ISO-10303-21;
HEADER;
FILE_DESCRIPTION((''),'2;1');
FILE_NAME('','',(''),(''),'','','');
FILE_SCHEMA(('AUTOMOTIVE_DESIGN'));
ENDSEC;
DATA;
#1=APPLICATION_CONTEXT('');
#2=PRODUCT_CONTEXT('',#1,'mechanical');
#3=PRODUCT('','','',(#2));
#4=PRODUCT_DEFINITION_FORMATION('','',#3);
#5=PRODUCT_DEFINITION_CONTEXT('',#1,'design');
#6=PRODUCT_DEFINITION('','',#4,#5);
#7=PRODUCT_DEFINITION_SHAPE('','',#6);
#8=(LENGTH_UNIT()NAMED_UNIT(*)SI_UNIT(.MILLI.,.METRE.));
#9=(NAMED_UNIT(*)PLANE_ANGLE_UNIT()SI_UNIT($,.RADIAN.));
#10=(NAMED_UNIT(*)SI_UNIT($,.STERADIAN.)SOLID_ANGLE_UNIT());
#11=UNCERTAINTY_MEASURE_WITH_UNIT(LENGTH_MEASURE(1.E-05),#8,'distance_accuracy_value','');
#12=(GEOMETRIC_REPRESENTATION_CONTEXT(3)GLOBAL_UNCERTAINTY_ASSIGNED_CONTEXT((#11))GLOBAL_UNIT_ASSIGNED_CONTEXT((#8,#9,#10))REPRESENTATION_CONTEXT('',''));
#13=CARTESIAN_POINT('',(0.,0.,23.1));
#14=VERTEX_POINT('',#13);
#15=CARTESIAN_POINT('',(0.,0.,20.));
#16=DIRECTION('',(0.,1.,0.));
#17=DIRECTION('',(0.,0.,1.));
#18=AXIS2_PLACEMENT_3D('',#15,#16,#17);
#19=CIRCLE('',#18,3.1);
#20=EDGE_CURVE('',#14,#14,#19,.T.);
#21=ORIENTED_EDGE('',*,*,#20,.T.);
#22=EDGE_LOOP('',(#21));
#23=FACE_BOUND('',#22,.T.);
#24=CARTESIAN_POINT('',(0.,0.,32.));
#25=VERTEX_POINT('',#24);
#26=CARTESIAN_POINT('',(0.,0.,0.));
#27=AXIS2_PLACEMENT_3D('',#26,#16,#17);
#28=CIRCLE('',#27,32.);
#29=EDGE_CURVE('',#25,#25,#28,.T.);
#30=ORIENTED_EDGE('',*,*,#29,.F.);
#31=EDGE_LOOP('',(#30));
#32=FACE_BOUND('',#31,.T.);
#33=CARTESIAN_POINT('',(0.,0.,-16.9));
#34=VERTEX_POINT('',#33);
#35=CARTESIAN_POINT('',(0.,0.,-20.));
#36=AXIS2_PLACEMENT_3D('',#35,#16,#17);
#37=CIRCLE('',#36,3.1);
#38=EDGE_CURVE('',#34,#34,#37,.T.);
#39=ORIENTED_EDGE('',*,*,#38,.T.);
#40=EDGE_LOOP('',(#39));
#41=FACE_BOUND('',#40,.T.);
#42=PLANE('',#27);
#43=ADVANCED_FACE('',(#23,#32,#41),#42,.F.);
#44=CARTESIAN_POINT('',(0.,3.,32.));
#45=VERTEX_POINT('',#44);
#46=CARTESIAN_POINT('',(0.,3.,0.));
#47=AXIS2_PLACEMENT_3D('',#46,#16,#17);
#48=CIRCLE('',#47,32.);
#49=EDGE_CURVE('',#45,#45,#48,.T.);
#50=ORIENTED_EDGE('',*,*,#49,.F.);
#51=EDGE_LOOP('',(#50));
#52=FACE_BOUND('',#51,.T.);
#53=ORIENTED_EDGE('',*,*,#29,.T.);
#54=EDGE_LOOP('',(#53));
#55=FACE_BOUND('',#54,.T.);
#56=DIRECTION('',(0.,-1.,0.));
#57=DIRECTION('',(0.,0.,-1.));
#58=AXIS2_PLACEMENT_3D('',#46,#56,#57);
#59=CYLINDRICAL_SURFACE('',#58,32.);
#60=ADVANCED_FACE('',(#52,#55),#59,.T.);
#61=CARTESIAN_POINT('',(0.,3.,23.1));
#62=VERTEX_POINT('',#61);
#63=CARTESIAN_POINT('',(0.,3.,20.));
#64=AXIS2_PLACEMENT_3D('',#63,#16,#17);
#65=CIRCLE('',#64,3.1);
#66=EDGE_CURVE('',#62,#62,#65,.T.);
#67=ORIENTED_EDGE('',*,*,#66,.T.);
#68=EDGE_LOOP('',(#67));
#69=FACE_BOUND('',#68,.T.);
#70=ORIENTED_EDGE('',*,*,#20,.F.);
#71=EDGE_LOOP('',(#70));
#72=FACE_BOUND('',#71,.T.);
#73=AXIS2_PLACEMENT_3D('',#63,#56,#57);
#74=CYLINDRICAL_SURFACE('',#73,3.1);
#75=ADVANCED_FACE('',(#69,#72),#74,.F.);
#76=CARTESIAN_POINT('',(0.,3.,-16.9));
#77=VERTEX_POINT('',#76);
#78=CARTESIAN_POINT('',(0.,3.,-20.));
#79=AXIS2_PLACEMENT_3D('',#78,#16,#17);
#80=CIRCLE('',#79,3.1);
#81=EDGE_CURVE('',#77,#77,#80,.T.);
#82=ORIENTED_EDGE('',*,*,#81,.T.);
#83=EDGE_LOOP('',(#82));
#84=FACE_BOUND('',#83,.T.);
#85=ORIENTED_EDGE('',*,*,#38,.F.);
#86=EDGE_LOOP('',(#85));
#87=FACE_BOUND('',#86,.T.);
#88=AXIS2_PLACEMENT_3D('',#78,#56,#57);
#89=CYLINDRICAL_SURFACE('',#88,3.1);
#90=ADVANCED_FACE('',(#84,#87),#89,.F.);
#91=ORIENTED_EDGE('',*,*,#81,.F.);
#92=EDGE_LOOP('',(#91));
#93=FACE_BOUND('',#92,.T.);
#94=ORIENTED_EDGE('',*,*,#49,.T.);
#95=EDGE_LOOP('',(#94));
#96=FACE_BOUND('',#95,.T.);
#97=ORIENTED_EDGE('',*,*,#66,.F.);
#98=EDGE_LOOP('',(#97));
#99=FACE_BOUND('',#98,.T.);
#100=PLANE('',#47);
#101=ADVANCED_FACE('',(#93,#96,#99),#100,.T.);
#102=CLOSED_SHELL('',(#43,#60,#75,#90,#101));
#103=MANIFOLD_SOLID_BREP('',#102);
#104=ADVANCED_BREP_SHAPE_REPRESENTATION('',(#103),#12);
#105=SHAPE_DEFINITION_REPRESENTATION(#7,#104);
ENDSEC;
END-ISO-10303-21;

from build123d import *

# Parameters (mm, degrees)
SKETCH1_R           = 32
SKETCH1_R_2         = 3.1
BOSS_EXTRUDE1_DEPTH = 3


with BuildPart() as part:
    # Sketch1 → Boss-Extrude1 (new body)
    with BuildSketch(Plane(origin=(0, 0, 0), x_dir=(1, 0, 0), z_dir=(0, 1, 0))):
        with Locations(Location((0, 0, 0), (0, 0, 270))):
            Circle(SKETCH1_R)
        with Locations(Location((0, 20, 0), (0, 0, 270))):
            Circle(SKETCH1_R_2, mode=Mode.SUBTRACT)
        with Locations(Location((0, -20, 0), (0, 0, 270))):
            Circle(SKETCH1_R_2, mode=Mode.SUBTRACT)
    extrude(amount=BOSS_EXTRUDE1_DEPTH)


solid = part.part
